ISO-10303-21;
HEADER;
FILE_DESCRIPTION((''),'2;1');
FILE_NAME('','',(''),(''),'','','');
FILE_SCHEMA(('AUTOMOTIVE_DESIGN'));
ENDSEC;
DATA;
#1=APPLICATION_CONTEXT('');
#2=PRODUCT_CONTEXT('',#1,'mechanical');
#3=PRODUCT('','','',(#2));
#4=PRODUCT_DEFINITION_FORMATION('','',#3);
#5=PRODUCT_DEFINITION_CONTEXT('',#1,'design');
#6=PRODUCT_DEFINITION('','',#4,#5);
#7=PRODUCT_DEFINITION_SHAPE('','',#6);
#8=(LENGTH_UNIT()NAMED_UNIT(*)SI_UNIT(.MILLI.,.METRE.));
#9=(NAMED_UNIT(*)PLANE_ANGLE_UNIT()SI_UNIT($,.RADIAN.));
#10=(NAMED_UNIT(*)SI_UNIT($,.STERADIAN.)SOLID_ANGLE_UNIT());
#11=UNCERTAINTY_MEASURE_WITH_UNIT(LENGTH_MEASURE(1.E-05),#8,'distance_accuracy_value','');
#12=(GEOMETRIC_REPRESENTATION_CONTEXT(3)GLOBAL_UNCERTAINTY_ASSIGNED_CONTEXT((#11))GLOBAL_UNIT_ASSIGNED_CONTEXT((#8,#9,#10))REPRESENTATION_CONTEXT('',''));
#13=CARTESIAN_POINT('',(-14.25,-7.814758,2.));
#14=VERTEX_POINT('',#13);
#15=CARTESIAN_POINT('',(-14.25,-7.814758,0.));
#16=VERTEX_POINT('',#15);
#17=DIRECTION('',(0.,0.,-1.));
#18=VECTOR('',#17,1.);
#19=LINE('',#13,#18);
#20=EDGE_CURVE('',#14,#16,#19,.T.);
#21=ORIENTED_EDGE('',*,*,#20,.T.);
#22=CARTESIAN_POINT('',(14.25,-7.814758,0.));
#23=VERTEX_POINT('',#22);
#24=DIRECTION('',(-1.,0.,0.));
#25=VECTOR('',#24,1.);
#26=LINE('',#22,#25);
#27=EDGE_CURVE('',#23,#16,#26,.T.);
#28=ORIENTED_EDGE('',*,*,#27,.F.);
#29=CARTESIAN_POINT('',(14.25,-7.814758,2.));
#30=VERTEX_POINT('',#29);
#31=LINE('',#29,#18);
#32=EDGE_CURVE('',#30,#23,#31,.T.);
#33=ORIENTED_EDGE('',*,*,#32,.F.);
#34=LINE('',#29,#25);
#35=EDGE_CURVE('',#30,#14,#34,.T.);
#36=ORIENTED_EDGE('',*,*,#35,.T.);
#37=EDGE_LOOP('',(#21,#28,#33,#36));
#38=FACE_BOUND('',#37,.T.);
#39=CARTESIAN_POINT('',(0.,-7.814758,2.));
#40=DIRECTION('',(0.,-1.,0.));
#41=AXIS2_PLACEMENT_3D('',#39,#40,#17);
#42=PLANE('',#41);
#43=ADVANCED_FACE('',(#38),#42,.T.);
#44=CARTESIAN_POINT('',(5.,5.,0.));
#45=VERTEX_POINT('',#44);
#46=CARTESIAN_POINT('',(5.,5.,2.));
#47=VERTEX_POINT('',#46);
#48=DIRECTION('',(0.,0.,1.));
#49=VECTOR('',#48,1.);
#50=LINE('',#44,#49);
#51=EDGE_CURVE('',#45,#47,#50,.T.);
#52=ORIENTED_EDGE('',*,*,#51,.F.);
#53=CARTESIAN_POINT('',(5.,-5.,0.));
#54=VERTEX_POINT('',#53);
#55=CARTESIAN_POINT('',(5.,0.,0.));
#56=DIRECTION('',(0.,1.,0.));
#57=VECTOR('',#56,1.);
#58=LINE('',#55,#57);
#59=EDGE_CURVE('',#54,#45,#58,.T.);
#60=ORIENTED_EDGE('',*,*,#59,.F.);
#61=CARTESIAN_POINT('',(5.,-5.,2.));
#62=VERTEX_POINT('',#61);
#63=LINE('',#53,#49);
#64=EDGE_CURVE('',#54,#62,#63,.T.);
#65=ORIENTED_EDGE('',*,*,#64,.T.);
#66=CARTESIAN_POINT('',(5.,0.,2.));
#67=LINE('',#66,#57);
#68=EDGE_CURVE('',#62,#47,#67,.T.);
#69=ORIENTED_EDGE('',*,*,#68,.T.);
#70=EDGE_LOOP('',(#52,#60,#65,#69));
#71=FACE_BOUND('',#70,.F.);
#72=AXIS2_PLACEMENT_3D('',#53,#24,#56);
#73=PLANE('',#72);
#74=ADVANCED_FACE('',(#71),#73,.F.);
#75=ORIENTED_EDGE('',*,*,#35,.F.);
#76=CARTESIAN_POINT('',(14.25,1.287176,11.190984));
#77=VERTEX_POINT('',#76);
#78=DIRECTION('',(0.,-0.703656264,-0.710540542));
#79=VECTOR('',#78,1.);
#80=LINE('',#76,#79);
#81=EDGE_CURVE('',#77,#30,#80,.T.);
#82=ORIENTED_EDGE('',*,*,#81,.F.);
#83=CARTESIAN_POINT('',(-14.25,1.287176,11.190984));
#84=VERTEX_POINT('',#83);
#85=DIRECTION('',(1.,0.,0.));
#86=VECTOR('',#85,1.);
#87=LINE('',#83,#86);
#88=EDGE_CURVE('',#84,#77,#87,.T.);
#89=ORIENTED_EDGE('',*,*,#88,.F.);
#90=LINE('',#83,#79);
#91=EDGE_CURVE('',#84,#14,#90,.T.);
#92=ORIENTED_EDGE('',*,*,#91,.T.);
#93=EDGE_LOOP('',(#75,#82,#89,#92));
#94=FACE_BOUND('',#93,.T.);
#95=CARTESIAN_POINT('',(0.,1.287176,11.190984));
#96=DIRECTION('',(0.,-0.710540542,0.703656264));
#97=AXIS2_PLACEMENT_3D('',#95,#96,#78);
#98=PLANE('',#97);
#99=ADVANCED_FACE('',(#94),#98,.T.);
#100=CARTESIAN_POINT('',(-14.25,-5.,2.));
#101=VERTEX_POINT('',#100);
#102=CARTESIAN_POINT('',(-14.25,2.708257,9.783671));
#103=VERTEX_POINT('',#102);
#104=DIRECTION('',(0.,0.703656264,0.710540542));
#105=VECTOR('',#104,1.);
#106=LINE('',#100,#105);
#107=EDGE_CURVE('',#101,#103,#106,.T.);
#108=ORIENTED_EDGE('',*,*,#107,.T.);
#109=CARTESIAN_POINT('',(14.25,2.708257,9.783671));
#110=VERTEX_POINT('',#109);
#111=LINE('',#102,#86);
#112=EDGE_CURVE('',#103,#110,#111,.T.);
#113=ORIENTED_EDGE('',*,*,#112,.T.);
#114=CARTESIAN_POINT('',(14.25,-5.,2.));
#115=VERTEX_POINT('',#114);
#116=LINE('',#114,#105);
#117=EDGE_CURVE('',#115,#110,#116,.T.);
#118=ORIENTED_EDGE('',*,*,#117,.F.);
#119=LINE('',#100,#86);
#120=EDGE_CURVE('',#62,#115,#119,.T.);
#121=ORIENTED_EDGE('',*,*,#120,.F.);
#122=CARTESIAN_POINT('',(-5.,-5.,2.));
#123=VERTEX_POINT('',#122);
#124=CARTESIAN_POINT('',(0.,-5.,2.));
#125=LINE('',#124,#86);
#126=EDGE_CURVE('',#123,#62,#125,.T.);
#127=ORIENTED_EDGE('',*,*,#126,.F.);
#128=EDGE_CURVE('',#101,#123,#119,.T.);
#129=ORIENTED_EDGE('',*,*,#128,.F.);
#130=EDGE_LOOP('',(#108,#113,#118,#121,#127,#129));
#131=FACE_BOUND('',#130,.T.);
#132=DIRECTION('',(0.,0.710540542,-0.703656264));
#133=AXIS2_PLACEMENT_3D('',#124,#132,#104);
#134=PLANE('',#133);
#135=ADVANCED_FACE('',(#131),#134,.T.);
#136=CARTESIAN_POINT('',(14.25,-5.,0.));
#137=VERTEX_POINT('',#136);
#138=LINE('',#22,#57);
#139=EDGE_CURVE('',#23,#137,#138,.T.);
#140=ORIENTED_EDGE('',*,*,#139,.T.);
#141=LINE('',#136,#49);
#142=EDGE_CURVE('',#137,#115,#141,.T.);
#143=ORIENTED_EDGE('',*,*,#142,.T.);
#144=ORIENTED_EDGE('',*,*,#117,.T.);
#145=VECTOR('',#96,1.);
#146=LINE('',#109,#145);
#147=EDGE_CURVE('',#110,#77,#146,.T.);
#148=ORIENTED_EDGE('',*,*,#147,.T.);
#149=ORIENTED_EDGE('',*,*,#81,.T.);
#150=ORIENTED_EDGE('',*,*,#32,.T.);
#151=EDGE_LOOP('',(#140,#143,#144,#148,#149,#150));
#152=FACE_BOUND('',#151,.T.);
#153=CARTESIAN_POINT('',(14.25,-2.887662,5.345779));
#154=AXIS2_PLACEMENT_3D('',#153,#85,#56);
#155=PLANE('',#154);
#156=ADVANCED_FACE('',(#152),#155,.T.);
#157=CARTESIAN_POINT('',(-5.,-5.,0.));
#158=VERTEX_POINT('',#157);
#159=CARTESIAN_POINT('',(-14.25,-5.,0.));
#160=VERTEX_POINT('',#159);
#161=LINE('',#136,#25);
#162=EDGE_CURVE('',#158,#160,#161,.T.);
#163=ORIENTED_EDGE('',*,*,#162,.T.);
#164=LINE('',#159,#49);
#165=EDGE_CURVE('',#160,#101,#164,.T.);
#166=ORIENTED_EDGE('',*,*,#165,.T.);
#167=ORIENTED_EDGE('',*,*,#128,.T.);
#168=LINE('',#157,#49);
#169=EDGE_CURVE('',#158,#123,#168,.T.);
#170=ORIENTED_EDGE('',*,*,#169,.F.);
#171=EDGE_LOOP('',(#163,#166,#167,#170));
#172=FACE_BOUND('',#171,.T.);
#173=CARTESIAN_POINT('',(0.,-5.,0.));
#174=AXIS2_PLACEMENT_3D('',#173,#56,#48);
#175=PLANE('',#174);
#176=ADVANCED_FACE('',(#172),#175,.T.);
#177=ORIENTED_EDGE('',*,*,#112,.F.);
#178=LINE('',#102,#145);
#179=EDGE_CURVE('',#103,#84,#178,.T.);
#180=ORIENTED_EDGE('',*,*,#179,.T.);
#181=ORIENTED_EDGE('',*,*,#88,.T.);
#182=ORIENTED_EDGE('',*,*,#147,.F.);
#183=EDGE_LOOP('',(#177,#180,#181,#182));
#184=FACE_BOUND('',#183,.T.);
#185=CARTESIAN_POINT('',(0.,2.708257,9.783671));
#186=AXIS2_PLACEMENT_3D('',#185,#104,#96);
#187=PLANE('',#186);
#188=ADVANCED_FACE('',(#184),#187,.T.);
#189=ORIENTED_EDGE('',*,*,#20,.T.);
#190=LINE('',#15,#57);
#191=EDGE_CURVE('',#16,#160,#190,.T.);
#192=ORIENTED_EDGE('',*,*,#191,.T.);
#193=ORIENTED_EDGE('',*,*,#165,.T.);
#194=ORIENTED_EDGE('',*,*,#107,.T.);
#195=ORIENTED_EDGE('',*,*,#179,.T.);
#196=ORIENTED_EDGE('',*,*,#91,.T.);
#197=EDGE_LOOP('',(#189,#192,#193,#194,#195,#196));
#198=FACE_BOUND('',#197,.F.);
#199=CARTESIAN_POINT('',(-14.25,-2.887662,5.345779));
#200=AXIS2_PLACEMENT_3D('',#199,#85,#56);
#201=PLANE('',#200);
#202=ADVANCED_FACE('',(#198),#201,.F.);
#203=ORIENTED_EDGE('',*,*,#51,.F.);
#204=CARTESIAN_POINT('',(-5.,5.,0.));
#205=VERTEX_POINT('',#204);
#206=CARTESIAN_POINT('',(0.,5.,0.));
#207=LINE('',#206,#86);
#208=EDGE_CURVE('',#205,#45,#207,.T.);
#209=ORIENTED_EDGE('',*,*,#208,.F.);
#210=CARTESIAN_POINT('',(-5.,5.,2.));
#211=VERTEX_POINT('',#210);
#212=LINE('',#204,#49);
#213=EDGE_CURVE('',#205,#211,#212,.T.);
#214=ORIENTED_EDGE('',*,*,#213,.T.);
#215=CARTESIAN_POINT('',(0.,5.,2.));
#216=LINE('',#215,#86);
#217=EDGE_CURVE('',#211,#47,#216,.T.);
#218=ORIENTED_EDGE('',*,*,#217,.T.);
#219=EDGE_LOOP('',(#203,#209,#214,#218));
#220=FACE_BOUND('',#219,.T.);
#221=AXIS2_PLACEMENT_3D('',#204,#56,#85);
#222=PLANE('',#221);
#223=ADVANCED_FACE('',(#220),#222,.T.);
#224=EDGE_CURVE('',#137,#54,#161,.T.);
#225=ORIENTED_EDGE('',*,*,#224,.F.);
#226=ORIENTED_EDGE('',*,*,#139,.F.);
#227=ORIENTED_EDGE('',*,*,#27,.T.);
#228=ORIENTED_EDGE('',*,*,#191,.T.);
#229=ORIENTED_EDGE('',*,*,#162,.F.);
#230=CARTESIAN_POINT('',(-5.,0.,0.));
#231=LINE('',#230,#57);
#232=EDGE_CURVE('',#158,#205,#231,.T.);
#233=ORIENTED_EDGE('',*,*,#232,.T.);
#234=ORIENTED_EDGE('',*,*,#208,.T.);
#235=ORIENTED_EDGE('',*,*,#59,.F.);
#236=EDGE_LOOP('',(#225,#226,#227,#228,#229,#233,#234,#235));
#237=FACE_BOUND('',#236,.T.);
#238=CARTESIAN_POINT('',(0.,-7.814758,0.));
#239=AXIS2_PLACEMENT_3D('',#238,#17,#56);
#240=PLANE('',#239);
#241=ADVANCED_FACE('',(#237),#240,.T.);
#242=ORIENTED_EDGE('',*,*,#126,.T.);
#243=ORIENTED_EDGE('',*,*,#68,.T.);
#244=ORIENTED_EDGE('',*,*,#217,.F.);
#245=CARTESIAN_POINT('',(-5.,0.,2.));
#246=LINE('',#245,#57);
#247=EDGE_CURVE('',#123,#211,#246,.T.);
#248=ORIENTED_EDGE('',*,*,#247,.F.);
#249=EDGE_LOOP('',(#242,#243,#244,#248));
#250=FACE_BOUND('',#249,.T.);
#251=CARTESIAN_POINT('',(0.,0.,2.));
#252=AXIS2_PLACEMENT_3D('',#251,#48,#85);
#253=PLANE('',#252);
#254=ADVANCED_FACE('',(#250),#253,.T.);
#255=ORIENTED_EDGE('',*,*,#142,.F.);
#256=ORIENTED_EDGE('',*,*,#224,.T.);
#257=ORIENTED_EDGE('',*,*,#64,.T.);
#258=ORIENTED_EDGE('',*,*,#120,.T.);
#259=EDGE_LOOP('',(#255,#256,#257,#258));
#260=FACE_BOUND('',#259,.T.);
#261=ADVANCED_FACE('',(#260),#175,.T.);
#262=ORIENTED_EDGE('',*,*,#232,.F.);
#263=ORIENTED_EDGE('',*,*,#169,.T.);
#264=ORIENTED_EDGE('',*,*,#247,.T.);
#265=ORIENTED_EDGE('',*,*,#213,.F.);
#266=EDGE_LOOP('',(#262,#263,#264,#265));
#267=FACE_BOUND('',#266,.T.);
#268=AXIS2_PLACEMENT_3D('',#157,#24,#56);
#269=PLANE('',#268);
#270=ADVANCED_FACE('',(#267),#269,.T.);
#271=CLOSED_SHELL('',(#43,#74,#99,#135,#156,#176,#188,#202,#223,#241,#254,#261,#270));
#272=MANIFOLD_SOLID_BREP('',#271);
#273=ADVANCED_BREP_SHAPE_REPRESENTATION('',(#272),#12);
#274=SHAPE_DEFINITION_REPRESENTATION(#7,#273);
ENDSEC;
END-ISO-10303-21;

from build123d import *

# Parameters (mm, degrees)
F0_W     = 10
F0_H     = 10
F1_DEPTH = 2
F3_DEPTH = 14.25


with BuildPart() as f1:
    # F0 (on Top) → F1 (new body)
    with BuildSketch(Plane.XY):
        Rectangle(F0_W, F0_H)
    extrude(amount=F1_DEPTH)

    # F2 (on Right) → F3 (join, symmetric)
    with BuildSketch(Plane.YZ):
        Polygon((-5, 0), (-5, 2), (2.7082569398, 9.7836712944), (1.2871758557, 11.1909838227), (-7.8147584572, 2), (-7.8147584572, 0), align=None)
    extrude(amount=F3_DEPTH, both=True)


solid = f1.part
